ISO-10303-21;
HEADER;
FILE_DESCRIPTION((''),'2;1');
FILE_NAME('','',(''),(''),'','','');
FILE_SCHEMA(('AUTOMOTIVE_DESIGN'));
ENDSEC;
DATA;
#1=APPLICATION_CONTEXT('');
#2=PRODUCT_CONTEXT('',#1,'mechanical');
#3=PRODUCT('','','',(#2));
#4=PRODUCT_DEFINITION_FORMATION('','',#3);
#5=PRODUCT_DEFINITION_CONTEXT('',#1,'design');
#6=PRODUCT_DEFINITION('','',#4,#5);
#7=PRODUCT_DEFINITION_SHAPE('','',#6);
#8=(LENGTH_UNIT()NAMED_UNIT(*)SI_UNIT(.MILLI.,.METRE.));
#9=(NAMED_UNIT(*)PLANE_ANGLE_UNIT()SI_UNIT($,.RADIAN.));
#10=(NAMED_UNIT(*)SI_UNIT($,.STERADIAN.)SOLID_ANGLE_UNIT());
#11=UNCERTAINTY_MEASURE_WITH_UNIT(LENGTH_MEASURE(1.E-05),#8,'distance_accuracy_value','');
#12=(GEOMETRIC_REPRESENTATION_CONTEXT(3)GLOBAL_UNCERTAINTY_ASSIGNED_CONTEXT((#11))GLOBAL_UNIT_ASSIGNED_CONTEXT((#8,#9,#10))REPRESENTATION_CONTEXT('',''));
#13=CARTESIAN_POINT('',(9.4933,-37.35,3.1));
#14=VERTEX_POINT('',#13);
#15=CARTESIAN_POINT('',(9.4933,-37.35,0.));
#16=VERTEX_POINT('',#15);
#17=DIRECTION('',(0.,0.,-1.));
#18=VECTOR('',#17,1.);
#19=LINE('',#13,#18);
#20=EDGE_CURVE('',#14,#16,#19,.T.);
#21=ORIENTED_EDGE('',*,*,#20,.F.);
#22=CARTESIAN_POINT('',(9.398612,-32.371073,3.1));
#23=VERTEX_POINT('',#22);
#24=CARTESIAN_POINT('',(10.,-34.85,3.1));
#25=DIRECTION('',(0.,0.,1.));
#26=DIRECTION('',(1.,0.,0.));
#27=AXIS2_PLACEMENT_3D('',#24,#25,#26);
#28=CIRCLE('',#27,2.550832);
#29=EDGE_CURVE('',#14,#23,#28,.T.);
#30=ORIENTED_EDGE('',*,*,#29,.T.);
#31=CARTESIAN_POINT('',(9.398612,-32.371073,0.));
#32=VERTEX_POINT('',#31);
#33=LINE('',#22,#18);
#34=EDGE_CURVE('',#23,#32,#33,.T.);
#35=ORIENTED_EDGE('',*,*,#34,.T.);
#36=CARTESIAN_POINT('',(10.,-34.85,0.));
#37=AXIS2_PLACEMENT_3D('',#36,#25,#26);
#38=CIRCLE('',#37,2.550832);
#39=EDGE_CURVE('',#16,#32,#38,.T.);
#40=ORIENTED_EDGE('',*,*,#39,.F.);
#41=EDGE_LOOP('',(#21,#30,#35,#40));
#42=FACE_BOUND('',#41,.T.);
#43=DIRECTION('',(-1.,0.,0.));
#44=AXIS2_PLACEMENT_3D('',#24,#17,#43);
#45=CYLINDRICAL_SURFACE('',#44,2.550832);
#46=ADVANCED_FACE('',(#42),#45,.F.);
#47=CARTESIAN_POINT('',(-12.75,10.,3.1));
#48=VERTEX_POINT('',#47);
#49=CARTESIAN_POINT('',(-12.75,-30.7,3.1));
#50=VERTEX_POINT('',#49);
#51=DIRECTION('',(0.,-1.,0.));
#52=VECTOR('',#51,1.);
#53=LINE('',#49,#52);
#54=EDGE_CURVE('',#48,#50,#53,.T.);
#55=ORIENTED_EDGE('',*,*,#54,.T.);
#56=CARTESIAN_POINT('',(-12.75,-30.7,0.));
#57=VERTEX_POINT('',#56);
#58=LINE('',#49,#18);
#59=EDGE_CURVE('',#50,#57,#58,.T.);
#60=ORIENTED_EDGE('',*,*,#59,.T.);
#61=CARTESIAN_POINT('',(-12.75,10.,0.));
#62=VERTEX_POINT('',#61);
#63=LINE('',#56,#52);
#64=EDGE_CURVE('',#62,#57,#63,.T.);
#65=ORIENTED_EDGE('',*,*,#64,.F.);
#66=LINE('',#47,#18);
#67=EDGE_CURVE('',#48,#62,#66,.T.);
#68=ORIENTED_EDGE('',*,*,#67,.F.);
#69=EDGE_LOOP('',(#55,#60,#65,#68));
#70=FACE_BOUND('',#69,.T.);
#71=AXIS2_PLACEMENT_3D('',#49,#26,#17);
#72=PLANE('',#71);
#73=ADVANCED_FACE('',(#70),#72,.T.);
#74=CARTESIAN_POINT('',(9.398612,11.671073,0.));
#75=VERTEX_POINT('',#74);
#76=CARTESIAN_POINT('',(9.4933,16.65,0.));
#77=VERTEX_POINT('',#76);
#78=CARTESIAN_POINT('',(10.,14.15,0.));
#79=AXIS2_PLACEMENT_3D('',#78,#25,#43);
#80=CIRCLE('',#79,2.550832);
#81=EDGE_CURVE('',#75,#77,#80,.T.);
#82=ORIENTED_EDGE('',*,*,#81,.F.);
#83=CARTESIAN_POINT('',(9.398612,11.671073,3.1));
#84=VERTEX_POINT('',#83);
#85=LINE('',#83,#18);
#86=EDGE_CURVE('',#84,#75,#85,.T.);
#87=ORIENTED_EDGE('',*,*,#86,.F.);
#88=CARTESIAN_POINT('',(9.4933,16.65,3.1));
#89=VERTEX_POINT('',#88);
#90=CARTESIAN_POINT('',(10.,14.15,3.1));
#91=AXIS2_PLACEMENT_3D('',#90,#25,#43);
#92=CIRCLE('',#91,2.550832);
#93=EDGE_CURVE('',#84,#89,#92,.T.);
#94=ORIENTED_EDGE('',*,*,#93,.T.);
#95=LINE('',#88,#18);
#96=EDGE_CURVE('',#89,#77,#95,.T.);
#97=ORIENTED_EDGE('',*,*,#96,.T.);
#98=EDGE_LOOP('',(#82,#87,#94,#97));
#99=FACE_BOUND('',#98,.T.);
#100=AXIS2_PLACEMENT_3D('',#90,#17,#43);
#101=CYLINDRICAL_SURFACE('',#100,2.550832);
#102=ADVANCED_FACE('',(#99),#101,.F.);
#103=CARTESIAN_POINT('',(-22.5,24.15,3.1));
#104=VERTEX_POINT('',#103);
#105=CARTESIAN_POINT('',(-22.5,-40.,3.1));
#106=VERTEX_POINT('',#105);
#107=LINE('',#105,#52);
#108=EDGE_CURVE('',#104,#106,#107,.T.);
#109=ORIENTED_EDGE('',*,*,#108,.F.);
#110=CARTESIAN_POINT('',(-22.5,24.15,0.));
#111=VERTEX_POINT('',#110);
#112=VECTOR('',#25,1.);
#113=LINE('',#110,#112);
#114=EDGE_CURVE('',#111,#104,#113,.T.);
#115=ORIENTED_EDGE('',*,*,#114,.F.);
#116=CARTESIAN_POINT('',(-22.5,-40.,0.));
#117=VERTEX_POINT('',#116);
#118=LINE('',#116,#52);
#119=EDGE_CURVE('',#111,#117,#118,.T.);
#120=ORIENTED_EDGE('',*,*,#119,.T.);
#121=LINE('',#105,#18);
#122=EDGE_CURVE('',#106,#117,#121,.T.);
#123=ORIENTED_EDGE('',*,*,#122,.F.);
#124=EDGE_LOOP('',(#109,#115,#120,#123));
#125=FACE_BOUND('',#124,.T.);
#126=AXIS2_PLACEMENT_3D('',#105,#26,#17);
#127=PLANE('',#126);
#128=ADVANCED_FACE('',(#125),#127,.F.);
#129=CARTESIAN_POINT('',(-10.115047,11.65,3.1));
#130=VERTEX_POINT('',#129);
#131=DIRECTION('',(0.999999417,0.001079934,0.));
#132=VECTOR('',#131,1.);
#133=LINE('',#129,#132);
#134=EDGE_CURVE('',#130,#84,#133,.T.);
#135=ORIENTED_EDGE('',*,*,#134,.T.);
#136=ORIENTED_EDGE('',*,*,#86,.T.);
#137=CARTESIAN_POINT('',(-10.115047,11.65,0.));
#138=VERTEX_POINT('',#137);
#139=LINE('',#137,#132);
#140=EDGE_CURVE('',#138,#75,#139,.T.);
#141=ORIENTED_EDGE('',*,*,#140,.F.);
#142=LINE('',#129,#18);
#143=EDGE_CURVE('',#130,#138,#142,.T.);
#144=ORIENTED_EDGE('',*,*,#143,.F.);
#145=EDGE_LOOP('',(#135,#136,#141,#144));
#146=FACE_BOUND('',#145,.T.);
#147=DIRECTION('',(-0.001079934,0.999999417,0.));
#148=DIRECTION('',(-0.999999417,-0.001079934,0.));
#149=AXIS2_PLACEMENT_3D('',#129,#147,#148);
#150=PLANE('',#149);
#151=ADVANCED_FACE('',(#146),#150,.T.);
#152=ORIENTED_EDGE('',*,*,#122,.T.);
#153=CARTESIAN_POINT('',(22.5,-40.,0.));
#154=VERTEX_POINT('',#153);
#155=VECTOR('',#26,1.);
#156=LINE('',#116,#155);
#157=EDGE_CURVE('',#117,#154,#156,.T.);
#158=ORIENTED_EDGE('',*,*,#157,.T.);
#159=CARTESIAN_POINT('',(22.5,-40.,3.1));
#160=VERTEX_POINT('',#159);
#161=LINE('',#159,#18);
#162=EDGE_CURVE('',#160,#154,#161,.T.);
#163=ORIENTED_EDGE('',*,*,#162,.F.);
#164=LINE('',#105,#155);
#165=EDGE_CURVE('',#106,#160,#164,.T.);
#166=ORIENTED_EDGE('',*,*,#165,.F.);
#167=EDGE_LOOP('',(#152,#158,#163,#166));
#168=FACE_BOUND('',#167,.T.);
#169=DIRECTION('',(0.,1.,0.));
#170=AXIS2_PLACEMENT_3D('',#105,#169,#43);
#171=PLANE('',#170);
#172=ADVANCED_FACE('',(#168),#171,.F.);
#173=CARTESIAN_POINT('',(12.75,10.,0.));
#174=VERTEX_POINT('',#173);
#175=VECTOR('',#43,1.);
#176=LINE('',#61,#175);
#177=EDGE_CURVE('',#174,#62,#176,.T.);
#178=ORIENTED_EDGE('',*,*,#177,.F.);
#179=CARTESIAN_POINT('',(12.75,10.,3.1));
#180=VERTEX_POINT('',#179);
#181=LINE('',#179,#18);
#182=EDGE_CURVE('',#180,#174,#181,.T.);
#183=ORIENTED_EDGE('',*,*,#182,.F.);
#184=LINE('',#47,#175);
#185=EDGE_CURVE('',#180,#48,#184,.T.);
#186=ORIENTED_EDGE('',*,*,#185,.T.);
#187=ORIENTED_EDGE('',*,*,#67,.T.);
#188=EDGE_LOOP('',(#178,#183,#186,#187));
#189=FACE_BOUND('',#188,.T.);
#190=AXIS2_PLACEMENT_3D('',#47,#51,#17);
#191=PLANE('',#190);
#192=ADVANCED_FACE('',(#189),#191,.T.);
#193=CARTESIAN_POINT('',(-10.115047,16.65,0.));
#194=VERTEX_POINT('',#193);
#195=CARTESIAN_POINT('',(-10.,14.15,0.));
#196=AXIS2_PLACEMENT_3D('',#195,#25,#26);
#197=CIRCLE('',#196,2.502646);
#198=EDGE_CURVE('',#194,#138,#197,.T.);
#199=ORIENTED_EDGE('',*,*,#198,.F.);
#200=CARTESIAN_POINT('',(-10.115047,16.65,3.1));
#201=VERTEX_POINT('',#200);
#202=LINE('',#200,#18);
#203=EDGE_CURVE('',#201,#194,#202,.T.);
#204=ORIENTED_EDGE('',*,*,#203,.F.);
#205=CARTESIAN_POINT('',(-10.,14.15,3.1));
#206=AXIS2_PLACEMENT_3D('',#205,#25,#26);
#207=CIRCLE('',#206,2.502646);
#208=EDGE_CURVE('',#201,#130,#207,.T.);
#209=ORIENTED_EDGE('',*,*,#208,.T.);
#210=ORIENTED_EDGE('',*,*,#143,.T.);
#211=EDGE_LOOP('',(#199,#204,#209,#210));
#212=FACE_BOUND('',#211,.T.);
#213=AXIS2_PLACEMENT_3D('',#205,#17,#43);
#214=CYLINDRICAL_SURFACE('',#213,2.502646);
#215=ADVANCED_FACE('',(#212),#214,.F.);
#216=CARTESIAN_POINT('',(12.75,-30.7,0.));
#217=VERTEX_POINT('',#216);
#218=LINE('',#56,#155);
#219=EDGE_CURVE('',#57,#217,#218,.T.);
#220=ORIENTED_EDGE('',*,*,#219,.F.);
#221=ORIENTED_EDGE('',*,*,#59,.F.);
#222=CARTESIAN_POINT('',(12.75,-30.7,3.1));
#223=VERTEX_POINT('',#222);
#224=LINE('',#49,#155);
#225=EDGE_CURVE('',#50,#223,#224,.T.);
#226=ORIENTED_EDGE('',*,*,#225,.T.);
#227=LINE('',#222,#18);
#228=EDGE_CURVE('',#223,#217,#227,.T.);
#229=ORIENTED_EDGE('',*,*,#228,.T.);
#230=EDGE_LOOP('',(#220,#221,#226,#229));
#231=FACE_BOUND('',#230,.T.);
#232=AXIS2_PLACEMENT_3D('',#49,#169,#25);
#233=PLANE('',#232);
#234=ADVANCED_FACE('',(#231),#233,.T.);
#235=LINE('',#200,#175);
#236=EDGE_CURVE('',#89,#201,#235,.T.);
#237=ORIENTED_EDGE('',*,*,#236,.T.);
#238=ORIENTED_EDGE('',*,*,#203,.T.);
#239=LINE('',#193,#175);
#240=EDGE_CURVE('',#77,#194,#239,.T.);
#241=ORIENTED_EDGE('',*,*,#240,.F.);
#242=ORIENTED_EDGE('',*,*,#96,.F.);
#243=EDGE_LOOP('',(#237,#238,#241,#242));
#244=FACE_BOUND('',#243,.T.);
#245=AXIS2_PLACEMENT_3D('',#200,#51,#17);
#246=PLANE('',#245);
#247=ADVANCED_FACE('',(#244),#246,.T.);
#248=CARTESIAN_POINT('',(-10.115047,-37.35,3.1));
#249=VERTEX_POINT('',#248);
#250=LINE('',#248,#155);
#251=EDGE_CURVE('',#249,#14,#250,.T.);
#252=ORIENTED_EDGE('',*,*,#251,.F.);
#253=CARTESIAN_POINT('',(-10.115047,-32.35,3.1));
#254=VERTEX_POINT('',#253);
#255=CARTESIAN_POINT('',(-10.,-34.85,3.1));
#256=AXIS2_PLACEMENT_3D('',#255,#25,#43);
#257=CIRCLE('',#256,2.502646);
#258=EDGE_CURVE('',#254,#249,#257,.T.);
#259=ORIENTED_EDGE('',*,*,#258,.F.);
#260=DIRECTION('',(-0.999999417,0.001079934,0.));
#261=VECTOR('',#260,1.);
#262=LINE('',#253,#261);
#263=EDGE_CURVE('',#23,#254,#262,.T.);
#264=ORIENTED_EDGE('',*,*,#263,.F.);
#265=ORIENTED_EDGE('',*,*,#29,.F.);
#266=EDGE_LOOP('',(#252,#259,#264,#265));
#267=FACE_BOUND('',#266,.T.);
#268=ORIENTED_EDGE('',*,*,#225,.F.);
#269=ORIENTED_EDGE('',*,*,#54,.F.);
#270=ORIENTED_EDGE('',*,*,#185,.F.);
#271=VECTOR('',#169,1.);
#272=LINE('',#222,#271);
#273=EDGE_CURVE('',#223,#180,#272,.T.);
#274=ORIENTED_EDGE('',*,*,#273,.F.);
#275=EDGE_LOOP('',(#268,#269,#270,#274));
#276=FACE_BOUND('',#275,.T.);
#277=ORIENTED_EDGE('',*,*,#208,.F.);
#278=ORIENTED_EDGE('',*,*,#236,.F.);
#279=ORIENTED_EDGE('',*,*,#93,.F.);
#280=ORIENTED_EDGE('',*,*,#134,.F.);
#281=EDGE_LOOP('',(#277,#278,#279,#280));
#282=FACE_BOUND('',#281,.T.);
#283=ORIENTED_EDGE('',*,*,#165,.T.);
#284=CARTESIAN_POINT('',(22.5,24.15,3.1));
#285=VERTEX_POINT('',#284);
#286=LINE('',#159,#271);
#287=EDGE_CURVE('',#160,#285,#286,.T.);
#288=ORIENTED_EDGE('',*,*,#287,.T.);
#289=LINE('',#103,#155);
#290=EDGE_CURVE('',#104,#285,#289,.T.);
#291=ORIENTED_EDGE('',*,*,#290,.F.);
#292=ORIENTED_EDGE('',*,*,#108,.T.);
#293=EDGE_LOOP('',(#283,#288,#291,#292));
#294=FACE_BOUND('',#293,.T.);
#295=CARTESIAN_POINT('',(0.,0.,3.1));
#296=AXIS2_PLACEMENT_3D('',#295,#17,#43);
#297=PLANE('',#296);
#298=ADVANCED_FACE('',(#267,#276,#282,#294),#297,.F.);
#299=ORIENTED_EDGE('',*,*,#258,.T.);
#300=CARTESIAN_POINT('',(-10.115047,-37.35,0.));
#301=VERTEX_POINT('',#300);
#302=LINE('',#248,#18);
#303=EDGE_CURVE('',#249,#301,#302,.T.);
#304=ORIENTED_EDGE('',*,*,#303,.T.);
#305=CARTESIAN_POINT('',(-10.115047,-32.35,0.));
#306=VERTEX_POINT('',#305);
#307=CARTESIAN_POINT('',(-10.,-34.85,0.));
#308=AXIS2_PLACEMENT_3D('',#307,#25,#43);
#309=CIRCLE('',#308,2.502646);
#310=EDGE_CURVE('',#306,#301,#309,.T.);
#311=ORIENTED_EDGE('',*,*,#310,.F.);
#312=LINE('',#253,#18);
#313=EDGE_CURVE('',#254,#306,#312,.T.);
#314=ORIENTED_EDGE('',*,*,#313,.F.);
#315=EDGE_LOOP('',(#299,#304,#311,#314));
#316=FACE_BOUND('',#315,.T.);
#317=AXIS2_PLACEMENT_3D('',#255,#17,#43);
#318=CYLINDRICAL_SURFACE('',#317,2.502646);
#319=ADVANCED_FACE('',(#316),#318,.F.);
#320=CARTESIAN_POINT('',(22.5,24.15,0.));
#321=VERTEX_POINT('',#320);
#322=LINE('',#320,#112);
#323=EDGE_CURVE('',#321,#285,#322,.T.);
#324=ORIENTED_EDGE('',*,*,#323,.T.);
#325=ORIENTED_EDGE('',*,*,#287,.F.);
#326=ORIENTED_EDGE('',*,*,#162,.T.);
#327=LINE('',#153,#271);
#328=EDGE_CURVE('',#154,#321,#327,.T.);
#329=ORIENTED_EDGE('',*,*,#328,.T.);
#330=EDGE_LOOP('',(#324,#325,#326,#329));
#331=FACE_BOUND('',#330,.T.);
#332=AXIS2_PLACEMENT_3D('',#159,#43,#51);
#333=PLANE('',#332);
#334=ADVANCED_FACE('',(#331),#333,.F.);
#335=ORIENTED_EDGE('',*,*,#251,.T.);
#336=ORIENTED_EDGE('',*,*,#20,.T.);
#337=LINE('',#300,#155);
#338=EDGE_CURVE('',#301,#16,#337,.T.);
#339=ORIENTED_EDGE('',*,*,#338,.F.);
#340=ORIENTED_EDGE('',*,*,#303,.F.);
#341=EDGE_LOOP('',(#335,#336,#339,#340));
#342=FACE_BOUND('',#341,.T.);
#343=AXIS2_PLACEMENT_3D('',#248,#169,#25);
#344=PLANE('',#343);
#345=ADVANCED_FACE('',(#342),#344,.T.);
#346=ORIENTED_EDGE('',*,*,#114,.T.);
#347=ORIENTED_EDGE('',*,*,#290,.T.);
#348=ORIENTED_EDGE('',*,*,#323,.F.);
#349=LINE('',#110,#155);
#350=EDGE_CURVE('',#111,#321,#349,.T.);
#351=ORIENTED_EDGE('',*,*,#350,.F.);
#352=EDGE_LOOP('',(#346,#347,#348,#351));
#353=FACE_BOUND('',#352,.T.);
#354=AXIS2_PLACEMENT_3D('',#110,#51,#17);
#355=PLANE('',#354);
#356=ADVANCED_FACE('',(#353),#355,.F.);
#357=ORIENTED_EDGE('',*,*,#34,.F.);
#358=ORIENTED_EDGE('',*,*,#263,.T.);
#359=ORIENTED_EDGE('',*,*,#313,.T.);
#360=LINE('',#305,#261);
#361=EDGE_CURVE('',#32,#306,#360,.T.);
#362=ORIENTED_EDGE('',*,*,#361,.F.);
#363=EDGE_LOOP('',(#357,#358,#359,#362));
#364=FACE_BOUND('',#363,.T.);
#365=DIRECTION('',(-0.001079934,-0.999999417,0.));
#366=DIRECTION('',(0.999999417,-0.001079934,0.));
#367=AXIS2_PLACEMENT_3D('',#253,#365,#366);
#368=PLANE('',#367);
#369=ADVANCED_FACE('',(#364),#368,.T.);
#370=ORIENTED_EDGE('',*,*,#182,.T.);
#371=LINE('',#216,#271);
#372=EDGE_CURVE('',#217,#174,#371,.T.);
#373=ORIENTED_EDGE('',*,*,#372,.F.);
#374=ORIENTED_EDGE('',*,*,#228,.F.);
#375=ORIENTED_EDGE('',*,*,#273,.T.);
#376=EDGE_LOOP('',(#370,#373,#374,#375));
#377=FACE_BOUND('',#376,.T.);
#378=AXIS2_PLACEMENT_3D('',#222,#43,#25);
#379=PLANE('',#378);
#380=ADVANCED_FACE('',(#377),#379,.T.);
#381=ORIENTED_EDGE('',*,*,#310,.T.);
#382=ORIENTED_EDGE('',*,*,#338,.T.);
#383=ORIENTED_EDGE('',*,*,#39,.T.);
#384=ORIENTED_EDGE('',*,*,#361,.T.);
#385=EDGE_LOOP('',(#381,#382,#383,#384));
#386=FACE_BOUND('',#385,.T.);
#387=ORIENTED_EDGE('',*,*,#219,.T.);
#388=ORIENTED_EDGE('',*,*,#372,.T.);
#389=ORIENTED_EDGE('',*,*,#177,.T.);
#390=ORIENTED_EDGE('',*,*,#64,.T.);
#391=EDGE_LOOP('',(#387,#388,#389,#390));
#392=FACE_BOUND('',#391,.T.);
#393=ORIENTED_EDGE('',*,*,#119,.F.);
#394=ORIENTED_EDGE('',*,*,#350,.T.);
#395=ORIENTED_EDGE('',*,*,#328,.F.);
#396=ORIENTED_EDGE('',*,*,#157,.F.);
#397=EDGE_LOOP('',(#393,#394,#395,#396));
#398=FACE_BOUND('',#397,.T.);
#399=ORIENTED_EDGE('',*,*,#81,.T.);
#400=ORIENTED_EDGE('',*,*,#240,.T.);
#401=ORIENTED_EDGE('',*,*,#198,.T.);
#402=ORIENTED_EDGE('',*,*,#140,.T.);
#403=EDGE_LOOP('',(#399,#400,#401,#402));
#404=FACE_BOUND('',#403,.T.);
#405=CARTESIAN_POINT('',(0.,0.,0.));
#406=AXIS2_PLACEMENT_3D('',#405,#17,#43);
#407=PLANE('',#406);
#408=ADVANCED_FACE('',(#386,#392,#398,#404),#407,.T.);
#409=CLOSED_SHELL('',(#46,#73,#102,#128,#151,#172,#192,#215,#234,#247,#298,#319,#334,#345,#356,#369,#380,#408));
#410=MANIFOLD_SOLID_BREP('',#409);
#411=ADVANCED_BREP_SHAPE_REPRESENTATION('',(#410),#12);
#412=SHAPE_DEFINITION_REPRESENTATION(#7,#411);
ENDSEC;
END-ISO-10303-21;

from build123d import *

# Parameters (mm, degrees)
SKETCH1_W           = 45
SKETCH1_H           = 80
SKETCH1_W_2         = 25.5
SKETCH1_H_2         = 40.7
BOSS_EXTRUDE1_DEPTH = 3.1
SKETCH8_W           = 45
SKETCH8_H           = 15.85
CUT_EXTRUDE4_DEPTH  = 4.1


with BuildPart() as part:
    # Sketch1 → Boss-Extrude1 (new body)
    with BuildSketch(Plane.XY):
        Rectangle(SKETCH1_W, SKETCH1_H)
        with Locations((0, -10.35)):
            Rectangle(SKETCH1_W_2, SKETCH1_H_2, mode=Mode.SUBTRACT)
        with BuildLine():
            Line((-10.115047428, 16.65), (9.493300094, 16.65))
            ThreePointArc((9.493300094, 16.65), (12.550371011, 14.101497401), (9.398611565, 11.671073469))
            Line((9.398611565, 11.671073469), (-10.115047428, 11.65))
            ThreePointArc((-10.115047428, 11.65), (-12.502645782, 14.15), (-10.115047428, 16.65))
        make_face(mode=Mode.SUBTRACT)
        with BuildLine():
            Line((-10.115047428, -32.35), (9.398611565, -32.371073469))
            ThreePointArc((9.398611565, -32.371073469), (12.550371011, -34.801497401), (9.493300094, -37.35))
            Line((9.493300094, -37.35), (-10.115047428, -37.35))
            ThreePointArc((-10.115047428, -37.35), (-12.502645782, -34.85), (-10.115047428, -32.35))
        make_face(mode=Mode.SUBTRACT)
    extrude(amount=BOSS_EXTRUDE1_DEPTH)

    # Sketch8 → Cut-Extrude4 (cut, through all)
    with BuildSketch(Plane.XY.offset(3.1)):
        with Locations((0, 32.075)):
            Rectangle(SKETCH8_W, SKETCH8_H)
    extrude(amount=-CUT_EXTRUDE4_DEPTH, mode=Mode.SUBTRACT)


solid = part.part
